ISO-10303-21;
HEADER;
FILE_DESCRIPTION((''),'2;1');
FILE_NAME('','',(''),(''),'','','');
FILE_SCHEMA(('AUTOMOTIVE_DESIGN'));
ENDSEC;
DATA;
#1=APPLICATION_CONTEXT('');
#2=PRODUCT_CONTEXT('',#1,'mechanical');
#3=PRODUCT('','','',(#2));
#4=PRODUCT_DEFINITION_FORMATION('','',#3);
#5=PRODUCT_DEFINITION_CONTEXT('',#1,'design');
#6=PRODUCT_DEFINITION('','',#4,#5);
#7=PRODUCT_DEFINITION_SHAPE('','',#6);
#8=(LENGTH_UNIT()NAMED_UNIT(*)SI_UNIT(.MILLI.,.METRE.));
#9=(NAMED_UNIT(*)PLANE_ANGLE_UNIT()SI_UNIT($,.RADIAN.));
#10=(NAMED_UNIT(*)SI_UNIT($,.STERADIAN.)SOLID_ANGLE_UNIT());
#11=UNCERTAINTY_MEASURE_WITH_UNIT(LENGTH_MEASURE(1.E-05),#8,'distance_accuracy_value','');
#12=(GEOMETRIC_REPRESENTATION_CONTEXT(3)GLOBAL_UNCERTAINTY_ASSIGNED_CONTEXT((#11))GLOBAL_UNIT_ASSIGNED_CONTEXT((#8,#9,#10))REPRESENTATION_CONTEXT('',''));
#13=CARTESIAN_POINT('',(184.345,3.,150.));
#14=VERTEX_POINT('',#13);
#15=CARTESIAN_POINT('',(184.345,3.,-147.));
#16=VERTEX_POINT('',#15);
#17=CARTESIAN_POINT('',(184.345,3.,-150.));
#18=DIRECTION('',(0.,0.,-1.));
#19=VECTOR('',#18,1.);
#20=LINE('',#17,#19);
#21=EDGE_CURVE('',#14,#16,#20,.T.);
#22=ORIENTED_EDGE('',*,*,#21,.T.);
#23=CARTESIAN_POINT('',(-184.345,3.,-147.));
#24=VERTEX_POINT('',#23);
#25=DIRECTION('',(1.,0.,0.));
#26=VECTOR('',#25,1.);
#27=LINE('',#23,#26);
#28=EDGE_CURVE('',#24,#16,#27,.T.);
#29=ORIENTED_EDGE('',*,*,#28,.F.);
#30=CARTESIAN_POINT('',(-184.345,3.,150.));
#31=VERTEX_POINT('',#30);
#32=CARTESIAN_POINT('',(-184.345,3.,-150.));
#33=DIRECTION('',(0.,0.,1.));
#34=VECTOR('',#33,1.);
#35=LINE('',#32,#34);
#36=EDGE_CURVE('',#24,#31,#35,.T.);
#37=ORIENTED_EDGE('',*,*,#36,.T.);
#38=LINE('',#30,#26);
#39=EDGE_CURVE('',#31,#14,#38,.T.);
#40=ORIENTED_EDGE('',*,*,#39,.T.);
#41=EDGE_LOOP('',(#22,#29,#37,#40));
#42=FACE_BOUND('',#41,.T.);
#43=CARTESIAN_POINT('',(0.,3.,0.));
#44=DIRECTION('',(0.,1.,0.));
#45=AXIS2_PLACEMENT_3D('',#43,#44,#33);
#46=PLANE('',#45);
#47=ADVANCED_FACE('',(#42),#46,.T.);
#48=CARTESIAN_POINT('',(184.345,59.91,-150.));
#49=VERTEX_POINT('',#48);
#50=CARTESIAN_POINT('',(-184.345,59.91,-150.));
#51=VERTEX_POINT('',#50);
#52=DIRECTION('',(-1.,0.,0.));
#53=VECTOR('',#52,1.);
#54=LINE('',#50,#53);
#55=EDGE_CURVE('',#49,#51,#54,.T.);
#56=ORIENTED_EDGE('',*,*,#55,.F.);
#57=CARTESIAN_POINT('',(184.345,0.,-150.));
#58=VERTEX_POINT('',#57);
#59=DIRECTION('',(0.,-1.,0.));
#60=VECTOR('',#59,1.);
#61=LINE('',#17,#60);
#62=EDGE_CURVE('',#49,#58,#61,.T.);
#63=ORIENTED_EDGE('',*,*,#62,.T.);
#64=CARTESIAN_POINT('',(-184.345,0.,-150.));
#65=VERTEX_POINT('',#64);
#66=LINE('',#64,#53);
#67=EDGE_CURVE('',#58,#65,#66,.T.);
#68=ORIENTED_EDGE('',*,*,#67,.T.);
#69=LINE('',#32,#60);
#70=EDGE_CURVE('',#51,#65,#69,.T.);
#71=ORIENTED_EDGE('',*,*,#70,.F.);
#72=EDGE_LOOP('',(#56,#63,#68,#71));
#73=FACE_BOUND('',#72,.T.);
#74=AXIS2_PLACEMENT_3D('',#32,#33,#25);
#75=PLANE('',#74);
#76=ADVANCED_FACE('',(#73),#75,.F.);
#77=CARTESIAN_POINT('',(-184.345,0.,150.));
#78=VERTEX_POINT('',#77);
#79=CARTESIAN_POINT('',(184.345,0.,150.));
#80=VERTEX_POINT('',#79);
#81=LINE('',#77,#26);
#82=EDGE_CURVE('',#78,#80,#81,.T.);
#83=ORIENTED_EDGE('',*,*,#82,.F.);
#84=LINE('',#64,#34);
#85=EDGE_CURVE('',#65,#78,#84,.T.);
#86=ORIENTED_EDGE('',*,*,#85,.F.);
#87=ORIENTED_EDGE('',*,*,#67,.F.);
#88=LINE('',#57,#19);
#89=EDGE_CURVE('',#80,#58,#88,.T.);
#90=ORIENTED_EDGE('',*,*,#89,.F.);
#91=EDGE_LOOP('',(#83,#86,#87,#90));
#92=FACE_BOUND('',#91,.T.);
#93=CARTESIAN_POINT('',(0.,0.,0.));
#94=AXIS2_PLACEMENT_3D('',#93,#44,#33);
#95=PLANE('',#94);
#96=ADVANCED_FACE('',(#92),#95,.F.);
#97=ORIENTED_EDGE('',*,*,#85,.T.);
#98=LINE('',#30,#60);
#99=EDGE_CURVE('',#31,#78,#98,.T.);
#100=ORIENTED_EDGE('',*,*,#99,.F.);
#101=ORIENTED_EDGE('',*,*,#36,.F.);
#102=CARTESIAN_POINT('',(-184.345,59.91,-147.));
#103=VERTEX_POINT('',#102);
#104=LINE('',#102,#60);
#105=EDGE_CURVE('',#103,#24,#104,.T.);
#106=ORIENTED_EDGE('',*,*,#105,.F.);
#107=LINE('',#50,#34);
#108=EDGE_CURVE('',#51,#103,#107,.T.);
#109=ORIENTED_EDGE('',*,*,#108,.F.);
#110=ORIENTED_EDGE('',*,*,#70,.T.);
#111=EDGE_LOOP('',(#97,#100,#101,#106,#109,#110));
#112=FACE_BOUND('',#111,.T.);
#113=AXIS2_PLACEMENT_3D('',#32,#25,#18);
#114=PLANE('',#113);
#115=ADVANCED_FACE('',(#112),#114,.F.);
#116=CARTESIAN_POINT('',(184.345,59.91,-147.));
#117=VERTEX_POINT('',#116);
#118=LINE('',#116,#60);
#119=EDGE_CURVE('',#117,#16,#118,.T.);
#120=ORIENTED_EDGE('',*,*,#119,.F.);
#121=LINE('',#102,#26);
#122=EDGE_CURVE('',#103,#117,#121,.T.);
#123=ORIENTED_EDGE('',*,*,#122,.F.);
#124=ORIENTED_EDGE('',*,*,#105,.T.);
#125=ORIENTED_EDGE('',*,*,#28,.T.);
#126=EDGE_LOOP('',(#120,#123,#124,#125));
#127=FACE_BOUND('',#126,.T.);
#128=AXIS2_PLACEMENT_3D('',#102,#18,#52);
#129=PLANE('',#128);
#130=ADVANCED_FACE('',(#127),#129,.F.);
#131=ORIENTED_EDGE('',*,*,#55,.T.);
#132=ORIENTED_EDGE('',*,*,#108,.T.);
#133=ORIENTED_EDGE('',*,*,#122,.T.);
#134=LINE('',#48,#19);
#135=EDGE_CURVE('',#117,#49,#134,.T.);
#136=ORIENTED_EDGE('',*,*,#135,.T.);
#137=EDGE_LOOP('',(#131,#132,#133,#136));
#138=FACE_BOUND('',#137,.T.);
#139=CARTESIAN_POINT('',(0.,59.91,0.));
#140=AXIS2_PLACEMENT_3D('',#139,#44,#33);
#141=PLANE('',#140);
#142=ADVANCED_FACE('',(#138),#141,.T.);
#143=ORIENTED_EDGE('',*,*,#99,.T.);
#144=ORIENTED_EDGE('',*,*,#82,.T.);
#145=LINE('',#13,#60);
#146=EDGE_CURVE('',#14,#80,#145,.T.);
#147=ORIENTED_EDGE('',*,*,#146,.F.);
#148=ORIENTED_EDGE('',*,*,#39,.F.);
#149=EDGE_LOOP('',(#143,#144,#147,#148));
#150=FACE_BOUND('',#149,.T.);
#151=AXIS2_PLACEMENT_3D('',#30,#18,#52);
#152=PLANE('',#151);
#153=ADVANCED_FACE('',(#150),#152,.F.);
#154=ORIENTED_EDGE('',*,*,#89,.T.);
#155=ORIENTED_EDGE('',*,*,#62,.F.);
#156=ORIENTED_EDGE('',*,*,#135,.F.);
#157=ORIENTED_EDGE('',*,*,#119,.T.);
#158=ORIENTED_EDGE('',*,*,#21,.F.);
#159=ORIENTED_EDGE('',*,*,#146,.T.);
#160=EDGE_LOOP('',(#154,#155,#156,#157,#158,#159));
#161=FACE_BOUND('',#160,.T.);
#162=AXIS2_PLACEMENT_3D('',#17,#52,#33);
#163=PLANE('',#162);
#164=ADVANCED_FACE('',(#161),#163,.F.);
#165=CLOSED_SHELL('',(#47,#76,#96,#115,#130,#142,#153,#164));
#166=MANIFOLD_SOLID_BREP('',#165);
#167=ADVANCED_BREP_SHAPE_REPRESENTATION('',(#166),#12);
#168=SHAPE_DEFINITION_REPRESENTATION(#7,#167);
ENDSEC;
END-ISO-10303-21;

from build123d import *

# Parameters (mm, degrees)
SKETCH2_W           = 368.69
SKETCH2_H           = 300
BOSS_EXTRUDE1_DEPTH = 3
SKETCH3_W           = 368.69
SKETCH3_H           = 3
BOSS_EXTRUDE2_DEPTH = 56.91


with BuildPart() as part:
    # Sketch2 → Boss-Extrude1 (new body)
    with BuildSketch(Plane(origin=(0, 0, 0), x_dir=(1, 0, 0), z_dir=(0, 1, 0))):
        Rectangle(SKETCH2_W, SKETCH2_H)
    extrude(amount=BOSS_EXTRUDE1_DEPTH)

    # Sketch3 → Boss-Extrude2 (add)
    with BuildSketch(Plane(origin=(0, 3, 0), x_dir=(1, 0, 0), z_dir=(0, 1, 0))):
        with Locations((0, 148.5)):
            Rectangle(SKETCH3_W, SKETCH3_H)
    extrude(amount=BOSS_EXTRUDE2_DEPTH)


solid = part.part
